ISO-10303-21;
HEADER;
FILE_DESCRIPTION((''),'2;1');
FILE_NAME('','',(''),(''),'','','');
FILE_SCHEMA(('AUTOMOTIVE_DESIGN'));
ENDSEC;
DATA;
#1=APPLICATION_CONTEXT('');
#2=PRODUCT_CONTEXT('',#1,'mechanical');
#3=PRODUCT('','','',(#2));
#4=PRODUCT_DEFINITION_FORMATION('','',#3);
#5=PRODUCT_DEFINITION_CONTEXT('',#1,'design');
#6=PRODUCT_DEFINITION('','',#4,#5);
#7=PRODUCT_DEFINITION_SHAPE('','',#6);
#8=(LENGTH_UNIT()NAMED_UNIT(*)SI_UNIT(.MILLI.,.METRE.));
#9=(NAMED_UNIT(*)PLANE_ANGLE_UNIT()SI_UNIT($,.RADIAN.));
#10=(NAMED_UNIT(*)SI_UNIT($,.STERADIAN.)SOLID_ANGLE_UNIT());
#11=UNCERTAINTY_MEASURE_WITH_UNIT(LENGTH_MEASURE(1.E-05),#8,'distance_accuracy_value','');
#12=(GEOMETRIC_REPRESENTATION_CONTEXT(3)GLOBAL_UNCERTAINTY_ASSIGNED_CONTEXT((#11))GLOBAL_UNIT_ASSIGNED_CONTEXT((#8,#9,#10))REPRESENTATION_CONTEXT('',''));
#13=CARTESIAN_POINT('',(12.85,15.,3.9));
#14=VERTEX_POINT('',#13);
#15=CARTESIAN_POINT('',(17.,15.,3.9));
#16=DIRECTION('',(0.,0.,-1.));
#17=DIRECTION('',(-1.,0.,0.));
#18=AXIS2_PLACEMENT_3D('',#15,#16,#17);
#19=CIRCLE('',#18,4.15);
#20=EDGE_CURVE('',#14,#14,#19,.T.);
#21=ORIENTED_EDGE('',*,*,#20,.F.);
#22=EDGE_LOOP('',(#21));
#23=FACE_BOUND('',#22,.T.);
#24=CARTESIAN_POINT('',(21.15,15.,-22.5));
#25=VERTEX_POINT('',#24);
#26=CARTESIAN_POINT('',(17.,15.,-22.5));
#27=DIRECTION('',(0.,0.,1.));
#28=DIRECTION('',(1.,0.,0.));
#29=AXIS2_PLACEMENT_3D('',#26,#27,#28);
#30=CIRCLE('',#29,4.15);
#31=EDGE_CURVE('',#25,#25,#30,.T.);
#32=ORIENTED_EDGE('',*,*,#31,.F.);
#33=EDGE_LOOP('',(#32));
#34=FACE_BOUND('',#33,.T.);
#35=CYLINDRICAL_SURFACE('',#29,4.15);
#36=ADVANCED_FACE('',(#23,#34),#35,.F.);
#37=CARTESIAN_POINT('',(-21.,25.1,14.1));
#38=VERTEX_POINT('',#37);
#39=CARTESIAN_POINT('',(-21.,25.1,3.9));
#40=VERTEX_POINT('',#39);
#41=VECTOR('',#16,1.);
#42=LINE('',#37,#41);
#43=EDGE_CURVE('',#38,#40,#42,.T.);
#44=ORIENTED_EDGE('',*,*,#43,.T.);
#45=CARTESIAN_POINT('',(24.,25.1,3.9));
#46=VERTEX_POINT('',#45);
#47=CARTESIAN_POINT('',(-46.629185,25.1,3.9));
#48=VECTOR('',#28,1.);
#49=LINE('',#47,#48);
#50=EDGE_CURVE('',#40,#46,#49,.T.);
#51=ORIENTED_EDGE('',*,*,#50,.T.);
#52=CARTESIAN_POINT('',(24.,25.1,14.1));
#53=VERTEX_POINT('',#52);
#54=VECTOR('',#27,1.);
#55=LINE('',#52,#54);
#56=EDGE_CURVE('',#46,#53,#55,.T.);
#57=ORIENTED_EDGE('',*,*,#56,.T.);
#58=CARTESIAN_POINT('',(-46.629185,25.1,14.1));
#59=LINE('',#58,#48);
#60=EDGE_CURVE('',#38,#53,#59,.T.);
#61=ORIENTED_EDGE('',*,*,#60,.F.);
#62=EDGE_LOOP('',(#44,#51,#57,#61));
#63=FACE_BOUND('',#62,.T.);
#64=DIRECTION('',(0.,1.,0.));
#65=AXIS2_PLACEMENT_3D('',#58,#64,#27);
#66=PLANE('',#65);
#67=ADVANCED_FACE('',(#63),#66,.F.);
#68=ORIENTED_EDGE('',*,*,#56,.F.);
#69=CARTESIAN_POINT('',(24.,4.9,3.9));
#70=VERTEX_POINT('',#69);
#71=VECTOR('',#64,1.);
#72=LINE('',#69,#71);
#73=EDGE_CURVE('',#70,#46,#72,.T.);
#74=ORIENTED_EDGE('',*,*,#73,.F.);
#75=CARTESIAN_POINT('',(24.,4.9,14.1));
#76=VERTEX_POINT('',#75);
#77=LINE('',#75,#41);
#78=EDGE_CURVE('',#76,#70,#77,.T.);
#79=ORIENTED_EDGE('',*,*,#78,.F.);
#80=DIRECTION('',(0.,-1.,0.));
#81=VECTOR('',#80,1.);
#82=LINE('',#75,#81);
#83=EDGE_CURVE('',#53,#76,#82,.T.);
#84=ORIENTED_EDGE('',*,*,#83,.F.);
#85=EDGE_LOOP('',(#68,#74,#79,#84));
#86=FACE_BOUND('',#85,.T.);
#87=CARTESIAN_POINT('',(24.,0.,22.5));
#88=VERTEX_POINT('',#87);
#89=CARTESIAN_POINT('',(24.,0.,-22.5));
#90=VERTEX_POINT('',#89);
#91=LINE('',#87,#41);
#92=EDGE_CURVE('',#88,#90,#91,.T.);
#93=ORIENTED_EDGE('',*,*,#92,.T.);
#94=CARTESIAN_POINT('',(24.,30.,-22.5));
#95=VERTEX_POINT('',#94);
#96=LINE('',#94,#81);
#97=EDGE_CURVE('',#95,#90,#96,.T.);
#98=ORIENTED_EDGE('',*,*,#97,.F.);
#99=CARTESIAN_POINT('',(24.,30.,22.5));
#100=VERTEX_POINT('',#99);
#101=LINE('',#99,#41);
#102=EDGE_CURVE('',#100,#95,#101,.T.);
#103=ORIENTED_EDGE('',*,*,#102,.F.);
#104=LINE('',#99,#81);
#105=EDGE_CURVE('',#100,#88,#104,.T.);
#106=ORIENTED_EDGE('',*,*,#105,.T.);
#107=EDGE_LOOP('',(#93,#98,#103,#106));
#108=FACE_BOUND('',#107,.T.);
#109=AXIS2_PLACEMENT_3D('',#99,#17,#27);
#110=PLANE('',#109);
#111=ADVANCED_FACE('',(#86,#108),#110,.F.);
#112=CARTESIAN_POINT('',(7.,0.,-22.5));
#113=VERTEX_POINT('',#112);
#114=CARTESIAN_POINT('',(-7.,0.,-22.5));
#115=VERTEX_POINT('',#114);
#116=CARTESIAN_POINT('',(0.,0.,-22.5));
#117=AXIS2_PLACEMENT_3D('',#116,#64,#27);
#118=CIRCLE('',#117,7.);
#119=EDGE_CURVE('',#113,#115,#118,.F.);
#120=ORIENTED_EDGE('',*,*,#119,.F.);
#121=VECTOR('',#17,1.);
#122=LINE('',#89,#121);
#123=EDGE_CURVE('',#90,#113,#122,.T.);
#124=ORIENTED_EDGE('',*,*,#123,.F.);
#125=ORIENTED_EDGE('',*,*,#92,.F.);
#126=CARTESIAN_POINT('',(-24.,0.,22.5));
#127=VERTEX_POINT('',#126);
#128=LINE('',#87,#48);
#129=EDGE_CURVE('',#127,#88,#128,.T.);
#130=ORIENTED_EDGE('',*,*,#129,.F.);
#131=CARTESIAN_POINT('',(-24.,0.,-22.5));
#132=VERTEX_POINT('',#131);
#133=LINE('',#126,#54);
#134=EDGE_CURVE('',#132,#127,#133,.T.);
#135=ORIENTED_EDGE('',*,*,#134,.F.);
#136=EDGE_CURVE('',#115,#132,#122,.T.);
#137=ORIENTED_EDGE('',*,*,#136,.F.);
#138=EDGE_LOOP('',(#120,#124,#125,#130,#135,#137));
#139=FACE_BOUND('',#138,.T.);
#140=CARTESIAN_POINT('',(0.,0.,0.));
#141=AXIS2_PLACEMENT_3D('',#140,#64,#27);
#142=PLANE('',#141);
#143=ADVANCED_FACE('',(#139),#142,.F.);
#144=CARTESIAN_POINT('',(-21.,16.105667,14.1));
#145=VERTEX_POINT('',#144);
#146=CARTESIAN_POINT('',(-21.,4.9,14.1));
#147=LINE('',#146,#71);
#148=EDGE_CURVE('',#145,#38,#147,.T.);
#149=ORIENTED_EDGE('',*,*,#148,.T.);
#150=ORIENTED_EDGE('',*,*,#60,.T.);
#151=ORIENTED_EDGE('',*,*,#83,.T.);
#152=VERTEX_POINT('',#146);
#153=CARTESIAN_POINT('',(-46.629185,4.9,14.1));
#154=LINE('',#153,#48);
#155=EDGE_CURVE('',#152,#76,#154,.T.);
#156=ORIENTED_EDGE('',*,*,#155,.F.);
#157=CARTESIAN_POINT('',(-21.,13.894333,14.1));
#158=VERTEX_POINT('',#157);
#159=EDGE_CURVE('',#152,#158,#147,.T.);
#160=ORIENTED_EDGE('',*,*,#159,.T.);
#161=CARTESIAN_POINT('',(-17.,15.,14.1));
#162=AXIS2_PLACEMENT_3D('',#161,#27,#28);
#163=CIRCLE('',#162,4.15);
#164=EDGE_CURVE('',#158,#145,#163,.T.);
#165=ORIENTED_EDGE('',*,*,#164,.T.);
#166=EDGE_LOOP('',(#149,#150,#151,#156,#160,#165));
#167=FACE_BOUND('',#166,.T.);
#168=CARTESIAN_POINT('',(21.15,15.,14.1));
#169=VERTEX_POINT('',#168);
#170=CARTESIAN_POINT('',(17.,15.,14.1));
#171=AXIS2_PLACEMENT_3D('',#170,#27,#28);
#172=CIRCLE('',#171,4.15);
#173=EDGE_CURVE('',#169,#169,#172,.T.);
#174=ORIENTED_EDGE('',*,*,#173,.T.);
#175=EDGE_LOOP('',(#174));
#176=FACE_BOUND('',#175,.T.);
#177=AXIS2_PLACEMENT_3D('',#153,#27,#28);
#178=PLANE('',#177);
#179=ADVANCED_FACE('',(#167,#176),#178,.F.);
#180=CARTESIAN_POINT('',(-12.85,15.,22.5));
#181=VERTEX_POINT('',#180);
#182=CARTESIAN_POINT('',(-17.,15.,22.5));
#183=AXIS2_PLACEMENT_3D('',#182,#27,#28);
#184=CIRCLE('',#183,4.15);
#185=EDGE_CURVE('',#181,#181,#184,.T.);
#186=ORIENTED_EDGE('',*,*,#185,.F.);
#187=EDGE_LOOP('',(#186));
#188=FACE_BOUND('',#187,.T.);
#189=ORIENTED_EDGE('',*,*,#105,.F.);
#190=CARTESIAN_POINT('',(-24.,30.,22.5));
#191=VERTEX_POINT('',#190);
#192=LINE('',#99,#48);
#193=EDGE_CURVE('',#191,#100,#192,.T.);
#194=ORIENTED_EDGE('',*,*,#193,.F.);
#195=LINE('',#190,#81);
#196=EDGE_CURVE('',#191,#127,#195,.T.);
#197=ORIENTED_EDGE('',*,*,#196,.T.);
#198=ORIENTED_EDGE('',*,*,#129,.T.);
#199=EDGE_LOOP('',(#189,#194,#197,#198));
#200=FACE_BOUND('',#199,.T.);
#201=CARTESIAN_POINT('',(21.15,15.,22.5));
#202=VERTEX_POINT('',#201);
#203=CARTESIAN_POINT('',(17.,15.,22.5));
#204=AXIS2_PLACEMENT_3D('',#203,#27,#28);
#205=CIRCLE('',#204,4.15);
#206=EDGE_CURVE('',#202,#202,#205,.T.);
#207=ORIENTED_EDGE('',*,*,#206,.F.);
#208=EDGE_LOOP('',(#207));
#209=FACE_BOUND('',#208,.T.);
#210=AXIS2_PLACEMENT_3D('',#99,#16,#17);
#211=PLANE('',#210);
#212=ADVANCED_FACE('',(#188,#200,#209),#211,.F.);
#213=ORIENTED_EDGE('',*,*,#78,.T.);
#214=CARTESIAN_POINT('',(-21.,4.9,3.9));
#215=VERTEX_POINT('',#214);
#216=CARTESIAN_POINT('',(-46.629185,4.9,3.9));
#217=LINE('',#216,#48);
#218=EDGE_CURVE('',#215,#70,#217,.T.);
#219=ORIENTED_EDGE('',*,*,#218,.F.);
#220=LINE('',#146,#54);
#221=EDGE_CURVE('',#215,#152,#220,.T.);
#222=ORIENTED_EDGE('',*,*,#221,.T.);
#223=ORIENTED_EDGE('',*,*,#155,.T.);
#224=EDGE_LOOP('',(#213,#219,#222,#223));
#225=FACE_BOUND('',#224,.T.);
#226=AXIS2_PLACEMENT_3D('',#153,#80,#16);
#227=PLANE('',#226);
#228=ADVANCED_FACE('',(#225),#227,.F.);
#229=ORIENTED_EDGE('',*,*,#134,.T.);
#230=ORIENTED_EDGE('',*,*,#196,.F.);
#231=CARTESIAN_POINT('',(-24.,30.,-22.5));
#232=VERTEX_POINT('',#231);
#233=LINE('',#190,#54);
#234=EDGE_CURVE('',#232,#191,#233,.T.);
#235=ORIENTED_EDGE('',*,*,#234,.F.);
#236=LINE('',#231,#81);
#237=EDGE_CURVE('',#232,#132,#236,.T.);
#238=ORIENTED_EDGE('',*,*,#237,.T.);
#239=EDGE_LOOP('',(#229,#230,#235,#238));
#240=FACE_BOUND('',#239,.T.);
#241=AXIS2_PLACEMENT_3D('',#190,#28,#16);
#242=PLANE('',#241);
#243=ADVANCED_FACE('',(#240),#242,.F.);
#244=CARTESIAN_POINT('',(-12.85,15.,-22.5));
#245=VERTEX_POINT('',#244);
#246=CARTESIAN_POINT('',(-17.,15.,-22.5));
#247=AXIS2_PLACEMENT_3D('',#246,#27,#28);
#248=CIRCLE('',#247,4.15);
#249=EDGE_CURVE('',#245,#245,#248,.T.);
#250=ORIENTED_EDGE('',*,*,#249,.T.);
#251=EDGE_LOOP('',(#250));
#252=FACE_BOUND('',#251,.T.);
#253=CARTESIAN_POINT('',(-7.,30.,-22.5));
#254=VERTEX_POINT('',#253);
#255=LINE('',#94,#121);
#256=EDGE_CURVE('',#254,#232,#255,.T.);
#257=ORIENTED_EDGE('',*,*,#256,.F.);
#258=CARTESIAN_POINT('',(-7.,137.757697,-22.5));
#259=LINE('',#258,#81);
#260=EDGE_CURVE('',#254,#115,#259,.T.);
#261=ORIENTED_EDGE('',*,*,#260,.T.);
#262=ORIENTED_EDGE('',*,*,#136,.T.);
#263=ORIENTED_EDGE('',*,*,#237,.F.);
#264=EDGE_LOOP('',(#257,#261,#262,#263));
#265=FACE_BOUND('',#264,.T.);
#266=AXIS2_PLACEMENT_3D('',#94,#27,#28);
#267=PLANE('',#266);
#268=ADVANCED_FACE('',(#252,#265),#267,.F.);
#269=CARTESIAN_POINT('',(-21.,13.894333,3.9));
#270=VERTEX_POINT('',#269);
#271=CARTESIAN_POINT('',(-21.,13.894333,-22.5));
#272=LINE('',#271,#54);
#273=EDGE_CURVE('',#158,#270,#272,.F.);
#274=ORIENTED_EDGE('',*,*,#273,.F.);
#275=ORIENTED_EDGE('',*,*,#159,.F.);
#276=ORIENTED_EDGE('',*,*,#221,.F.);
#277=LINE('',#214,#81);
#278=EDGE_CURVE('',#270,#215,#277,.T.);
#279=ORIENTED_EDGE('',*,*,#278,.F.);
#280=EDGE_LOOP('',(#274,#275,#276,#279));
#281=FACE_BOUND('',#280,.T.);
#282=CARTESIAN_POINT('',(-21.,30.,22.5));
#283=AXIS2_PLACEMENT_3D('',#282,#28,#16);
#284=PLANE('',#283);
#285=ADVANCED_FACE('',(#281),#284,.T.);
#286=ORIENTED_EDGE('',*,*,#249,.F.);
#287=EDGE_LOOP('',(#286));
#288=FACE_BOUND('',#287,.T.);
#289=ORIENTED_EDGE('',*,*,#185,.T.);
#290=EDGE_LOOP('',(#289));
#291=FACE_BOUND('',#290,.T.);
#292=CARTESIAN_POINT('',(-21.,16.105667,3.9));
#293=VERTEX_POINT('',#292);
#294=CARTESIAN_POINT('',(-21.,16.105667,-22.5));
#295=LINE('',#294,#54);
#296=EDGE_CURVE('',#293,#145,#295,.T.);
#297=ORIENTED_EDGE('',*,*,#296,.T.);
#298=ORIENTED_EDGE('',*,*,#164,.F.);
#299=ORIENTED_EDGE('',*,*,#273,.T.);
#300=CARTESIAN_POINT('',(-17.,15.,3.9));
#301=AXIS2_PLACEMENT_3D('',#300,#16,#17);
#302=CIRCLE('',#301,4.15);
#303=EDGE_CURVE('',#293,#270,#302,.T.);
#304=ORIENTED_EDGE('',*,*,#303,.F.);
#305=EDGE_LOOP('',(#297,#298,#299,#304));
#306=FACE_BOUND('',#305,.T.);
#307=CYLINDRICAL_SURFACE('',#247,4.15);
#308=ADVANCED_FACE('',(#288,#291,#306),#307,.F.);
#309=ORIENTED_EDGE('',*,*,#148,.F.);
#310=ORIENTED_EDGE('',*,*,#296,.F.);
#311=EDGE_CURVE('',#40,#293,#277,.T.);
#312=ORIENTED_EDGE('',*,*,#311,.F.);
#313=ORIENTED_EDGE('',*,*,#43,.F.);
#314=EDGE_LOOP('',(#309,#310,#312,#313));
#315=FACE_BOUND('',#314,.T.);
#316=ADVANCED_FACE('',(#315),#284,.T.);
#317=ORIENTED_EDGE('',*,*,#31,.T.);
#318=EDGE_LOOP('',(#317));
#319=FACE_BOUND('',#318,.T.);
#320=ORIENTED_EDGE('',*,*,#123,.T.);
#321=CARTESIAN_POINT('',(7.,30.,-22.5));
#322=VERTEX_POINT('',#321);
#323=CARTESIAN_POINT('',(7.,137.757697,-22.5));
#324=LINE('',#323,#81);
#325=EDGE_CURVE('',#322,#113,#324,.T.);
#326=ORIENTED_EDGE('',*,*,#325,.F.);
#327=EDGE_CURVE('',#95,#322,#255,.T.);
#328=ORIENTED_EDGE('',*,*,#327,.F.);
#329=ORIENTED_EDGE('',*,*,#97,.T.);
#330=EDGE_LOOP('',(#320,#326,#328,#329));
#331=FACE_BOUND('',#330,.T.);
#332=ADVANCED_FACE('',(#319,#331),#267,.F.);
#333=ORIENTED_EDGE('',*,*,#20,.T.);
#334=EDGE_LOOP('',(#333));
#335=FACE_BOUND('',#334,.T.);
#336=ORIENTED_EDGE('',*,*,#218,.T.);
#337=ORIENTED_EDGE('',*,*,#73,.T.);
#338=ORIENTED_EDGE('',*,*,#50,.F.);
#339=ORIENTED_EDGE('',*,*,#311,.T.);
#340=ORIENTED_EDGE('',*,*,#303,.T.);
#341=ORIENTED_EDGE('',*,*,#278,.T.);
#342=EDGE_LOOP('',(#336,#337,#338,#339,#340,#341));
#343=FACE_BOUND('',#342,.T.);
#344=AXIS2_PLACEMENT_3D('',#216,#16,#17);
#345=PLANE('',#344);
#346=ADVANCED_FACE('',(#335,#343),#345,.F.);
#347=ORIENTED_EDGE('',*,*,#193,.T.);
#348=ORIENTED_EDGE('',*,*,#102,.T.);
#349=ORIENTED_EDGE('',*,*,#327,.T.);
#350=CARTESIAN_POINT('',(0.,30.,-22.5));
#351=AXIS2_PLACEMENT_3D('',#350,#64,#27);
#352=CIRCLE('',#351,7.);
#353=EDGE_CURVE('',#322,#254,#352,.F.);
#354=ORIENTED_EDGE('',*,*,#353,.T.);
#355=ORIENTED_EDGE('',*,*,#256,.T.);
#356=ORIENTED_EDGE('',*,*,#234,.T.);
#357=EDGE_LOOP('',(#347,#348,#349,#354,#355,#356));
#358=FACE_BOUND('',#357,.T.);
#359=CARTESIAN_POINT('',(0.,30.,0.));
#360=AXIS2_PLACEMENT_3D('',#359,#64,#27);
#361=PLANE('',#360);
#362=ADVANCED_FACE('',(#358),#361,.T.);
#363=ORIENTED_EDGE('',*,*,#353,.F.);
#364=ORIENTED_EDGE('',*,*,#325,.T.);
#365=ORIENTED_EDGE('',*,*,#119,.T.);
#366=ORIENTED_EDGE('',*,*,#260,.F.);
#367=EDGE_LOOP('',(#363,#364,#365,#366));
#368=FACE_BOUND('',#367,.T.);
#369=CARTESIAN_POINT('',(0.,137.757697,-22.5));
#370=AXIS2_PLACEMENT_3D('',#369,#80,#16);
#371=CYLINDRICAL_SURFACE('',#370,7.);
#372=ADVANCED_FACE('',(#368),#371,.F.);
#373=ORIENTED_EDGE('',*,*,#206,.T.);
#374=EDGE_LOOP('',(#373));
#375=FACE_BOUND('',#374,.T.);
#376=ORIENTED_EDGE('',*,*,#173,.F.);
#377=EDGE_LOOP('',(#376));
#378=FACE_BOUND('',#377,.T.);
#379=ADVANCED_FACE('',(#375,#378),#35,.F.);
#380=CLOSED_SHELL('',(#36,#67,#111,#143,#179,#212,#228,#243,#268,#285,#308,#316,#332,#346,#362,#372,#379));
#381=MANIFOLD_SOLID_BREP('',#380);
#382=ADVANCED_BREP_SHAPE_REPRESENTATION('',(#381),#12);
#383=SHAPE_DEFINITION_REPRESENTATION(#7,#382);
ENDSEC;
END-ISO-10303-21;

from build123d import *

# Parameters (mm, degrees)
SKETCH1_W               = 48
SKETCH1_H               = 45
BOSS_EXTRUDE1_DEPTH     = 30
SKETCH2_W               = 10.2
SKETCH2_H               = 20.2
CUT_EXTRUDE1_DEPTH      = 45
SKETCH3_R               = 4.15
CUT_EXTRUDE2_DEPTH      = 46
CUT_EXTRUDE3_DEPTH      = 1
CUT_EXTRUDE3_DEPTH_BACK = 31


with BuildPart() as part:
    # Sketch1 → Boss-Extrude1 (new body)
    with BuildSketch(Plane(origin=(0, 0, 0), x_dir=(1, 0, 0), z_dir=(0, 1, 0))):
        Rectangle(SKETCH1_W, SKETCH1_H)
    extrude(amount=BOSS_EXTRUDE1_DEPTH)

    # Sketch2 → Cut-Extrude1 (cut)
    with BuildSketch(Plane(origin=(24, 0, 0), x_dir=(0, 0, -1), z_dir=(1, 0, 0))):
        with Locations((-9, 15)):
            Rectangle(SKETCH2_W, SKETCH2_H)
    extrude(amount=-CUT_EXTRUDE1_DEPTH, mode=Mode.SUBTRACT)

    # Sketch3 → Cut-Extrude2 (cut, through all)
    with BuildSketch(Plane.XY.offset(22.5)):
        with Locations((-17, 15)):
            Circle(SKETCH3_R)
        with Locations((17, 15)):
            Circle(SKETCH3_R)
    extrude(amount=-CUT_EXTRUDE2_DEPTH, mode=Mode.SUBTRACT)

    # Sketch4 → Cut-Extrude3 (cut, two sides)
    with BuildSketch(Plane(origin=(0, 30, 0), x_dir=(1, 0, 0), z_dir=(0, 1, 0))) as cut_extrude3_sk:
        with BuildLine():
            Line((-7, 141.788608739), (-7, 22.5))
            ThreePointArc((-7, 22.5), (0, 15.5), (7, 22.5))
            Line((7, 22.5), (7, 141.788608739))
            Line((7, 141.788608739), (7, 380.365826216))
            Line((7, 380.365826216), (-7, 380.365826216))
            Line((-7, 380.365826216), (-7, 141.788608739))
        make_face()
    extrude(amount=CUT_EXTRUDE3_DEPTH, mode=Mode.SUBTRACT)
    extrude(cut_extrude3_sk.sketch, amount=-CUT_EXTRUDE3_DEPTH_BACK, mode=Mode.SUBTRACT)


solid = part.part
